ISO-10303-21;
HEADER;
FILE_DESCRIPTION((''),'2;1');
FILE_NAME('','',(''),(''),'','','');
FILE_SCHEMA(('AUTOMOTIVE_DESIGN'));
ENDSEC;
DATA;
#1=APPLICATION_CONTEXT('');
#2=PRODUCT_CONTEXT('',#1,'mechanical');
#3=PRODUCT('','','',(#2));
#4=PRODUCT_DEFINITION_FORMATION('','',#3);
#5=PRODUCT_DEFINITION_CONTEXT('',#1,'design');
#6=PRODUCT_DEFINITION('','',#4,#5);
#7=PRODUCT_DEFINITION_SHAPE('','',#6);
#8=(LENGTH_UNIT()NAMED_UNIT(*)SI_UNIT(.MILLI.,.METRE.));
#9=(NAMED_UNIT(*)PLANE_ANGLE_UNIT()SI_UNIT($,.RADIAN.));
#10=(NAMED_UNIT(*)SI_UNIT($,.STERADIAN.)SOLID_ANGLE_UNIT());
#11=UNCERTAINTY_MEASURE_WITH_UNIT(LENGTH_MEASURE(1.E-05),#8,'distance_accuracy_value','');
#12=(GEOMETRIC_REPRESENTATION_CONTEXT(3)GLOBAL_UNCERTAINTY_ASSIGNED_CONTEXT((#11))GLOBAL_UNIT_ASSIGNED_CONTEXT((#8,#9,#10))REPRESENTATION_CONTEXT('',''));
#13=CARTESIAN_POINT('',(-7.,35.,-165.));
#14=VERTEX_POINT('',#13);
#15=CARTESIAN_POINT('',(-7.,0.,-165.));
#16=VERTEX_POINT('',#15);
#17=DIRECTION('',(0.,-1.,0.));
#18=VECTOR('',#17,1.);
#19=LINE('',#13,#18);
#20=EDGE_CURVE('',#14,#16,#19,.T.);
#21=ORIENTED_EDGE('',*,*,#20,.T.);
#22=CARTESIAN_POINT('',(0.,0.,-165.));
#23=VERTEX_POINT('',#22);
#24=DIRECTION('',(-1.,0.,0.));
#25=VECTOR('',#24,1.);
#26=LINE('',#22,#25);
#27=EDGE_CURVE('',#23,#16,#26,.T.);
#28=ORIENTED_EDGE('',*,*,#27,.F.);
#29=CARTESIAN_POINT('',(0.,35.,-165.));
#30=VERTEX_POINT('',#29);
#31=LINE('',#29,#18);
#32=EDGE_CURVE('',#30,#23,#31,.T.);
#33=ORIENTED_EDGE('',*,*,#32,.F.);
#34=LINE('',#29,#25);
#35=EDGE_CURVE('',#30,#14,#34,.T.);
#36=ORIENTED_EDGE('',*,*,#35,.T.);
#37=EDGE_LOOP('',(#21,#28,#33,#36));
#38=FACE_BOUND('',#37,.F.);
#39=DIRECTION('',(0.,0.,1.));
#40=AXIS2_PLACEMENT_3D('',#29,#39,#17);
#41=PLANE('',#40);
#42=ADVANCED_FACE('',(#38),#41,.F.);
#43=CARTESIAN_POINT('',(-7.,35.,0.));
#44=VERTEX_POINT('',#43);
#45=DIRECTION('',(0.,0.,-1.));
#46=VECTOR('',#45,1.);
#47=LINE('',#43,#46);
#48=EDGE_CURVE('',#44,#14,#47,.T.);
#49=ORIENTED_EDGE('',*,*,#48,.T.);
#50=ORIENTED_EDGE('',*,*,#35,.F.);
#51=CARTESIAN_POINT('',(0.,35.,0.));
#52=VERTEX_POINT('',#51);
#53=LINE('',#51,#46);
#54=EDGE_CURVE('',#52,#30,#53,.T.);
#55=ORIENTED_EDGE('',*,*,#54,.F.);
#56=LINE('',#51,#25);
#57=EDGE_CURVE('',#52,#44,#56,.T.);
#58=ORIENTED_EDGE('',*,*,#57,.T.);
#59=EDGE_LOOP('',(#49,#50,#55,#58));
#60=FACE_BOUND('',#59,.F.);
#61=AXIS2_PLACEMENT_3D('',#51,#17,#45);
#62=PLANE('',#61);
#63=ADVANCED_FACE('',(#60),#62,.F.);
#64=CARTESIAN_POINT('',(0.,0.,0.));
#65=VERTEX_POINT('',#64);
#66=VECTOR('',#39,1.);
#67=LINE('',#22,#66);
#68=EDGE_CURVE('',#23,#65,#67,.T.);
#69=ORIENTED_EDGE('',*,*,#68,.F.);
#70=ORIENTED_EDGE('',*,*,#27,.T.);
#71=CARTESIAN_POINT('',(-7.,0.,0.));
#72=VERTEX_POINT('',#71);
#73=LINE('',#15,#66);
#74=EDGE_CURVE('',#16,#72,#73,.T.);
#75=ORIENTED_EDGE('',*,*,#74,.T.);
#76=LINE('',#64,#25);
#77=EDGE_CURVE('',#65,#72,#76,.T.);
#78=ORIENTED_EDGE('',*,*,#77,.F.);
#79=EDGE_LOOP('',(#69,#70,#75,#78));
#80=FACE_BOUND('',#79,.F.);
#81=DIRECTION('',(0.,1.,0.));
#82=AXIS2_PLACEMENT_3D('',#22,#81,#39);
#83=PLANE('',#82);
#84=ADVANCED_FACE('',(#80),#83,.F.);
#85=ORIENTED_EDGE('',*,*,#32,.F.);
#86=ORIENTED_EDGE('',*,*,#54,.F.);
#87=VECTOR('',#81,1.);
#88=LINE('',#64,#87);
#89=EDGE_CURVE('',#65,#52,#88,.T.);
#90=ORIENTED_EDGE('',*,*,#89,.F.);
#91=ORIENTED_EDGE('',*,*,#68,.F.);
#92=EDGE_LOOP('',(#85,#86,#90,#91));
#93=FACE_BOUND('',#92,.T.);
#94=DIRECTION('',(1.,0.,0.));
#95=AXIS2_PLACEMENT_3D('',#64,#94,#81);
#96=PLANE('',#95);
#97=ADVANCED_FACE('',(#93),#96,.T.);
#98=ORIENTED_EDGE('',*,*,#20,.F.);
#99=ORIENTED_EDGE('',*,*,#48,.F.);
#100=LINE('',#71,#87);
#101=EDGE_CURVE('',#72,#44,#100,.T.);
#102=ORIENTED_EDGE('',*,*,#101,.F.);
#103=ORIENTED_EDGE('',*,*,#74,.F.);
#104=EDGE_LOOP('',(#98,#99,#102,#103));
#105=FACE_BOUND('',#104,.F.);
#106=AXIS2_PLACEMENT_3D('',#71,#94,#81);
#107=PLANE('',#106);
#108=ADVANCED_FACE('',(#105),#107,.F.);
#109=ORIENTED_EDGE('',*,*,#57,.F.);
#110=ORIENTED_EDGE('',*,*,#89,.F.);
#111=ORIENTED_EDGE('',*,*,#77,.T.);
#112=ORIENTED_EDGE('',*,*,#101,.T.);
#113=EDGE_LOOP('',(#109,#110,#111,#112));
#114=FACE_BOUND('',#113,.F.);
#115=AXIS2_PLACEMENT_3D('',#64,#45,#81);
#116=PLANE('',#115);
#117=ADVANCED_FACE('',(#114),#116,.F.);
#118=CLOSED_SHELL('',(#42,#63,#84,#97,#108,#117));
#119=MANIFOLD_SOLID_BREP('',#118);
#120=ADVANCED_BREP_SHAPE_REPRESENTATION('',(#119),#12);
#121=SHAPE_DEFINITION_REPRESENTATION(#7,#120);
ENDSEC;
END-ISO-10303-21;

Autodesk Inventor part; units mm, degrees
ref_plane "YZ Plane" through (0, 0, 0) normal (1, 0, 0) x (0, 1, 0)
ref_plane "XZ Plane" through (0, 0, 0) normal (0, 1, 0) x (-1, 0, 0)
ref_plane "XY Plane" through (0, 0, 0) normal (0, 0, 1) x (1, 0, 0)
sketch "Sketch1" plane through (0, 0, 0) normal (1, 0, 0) x (0, 1, 0)
  line L0 (0, 0) -> (35, 0)
  line L1 (35, 0) -> (35, -165)
  line L2 (35, -165) -> (0, -165)
  line L3 (0, -165) -> (0, 0)
  dimension "d0" = 35
  dimension "d1" = 165
extrude "Extrusion1" add sketch "Sketch1" against normal blind 7
properties part number "Outboard wing brace"
